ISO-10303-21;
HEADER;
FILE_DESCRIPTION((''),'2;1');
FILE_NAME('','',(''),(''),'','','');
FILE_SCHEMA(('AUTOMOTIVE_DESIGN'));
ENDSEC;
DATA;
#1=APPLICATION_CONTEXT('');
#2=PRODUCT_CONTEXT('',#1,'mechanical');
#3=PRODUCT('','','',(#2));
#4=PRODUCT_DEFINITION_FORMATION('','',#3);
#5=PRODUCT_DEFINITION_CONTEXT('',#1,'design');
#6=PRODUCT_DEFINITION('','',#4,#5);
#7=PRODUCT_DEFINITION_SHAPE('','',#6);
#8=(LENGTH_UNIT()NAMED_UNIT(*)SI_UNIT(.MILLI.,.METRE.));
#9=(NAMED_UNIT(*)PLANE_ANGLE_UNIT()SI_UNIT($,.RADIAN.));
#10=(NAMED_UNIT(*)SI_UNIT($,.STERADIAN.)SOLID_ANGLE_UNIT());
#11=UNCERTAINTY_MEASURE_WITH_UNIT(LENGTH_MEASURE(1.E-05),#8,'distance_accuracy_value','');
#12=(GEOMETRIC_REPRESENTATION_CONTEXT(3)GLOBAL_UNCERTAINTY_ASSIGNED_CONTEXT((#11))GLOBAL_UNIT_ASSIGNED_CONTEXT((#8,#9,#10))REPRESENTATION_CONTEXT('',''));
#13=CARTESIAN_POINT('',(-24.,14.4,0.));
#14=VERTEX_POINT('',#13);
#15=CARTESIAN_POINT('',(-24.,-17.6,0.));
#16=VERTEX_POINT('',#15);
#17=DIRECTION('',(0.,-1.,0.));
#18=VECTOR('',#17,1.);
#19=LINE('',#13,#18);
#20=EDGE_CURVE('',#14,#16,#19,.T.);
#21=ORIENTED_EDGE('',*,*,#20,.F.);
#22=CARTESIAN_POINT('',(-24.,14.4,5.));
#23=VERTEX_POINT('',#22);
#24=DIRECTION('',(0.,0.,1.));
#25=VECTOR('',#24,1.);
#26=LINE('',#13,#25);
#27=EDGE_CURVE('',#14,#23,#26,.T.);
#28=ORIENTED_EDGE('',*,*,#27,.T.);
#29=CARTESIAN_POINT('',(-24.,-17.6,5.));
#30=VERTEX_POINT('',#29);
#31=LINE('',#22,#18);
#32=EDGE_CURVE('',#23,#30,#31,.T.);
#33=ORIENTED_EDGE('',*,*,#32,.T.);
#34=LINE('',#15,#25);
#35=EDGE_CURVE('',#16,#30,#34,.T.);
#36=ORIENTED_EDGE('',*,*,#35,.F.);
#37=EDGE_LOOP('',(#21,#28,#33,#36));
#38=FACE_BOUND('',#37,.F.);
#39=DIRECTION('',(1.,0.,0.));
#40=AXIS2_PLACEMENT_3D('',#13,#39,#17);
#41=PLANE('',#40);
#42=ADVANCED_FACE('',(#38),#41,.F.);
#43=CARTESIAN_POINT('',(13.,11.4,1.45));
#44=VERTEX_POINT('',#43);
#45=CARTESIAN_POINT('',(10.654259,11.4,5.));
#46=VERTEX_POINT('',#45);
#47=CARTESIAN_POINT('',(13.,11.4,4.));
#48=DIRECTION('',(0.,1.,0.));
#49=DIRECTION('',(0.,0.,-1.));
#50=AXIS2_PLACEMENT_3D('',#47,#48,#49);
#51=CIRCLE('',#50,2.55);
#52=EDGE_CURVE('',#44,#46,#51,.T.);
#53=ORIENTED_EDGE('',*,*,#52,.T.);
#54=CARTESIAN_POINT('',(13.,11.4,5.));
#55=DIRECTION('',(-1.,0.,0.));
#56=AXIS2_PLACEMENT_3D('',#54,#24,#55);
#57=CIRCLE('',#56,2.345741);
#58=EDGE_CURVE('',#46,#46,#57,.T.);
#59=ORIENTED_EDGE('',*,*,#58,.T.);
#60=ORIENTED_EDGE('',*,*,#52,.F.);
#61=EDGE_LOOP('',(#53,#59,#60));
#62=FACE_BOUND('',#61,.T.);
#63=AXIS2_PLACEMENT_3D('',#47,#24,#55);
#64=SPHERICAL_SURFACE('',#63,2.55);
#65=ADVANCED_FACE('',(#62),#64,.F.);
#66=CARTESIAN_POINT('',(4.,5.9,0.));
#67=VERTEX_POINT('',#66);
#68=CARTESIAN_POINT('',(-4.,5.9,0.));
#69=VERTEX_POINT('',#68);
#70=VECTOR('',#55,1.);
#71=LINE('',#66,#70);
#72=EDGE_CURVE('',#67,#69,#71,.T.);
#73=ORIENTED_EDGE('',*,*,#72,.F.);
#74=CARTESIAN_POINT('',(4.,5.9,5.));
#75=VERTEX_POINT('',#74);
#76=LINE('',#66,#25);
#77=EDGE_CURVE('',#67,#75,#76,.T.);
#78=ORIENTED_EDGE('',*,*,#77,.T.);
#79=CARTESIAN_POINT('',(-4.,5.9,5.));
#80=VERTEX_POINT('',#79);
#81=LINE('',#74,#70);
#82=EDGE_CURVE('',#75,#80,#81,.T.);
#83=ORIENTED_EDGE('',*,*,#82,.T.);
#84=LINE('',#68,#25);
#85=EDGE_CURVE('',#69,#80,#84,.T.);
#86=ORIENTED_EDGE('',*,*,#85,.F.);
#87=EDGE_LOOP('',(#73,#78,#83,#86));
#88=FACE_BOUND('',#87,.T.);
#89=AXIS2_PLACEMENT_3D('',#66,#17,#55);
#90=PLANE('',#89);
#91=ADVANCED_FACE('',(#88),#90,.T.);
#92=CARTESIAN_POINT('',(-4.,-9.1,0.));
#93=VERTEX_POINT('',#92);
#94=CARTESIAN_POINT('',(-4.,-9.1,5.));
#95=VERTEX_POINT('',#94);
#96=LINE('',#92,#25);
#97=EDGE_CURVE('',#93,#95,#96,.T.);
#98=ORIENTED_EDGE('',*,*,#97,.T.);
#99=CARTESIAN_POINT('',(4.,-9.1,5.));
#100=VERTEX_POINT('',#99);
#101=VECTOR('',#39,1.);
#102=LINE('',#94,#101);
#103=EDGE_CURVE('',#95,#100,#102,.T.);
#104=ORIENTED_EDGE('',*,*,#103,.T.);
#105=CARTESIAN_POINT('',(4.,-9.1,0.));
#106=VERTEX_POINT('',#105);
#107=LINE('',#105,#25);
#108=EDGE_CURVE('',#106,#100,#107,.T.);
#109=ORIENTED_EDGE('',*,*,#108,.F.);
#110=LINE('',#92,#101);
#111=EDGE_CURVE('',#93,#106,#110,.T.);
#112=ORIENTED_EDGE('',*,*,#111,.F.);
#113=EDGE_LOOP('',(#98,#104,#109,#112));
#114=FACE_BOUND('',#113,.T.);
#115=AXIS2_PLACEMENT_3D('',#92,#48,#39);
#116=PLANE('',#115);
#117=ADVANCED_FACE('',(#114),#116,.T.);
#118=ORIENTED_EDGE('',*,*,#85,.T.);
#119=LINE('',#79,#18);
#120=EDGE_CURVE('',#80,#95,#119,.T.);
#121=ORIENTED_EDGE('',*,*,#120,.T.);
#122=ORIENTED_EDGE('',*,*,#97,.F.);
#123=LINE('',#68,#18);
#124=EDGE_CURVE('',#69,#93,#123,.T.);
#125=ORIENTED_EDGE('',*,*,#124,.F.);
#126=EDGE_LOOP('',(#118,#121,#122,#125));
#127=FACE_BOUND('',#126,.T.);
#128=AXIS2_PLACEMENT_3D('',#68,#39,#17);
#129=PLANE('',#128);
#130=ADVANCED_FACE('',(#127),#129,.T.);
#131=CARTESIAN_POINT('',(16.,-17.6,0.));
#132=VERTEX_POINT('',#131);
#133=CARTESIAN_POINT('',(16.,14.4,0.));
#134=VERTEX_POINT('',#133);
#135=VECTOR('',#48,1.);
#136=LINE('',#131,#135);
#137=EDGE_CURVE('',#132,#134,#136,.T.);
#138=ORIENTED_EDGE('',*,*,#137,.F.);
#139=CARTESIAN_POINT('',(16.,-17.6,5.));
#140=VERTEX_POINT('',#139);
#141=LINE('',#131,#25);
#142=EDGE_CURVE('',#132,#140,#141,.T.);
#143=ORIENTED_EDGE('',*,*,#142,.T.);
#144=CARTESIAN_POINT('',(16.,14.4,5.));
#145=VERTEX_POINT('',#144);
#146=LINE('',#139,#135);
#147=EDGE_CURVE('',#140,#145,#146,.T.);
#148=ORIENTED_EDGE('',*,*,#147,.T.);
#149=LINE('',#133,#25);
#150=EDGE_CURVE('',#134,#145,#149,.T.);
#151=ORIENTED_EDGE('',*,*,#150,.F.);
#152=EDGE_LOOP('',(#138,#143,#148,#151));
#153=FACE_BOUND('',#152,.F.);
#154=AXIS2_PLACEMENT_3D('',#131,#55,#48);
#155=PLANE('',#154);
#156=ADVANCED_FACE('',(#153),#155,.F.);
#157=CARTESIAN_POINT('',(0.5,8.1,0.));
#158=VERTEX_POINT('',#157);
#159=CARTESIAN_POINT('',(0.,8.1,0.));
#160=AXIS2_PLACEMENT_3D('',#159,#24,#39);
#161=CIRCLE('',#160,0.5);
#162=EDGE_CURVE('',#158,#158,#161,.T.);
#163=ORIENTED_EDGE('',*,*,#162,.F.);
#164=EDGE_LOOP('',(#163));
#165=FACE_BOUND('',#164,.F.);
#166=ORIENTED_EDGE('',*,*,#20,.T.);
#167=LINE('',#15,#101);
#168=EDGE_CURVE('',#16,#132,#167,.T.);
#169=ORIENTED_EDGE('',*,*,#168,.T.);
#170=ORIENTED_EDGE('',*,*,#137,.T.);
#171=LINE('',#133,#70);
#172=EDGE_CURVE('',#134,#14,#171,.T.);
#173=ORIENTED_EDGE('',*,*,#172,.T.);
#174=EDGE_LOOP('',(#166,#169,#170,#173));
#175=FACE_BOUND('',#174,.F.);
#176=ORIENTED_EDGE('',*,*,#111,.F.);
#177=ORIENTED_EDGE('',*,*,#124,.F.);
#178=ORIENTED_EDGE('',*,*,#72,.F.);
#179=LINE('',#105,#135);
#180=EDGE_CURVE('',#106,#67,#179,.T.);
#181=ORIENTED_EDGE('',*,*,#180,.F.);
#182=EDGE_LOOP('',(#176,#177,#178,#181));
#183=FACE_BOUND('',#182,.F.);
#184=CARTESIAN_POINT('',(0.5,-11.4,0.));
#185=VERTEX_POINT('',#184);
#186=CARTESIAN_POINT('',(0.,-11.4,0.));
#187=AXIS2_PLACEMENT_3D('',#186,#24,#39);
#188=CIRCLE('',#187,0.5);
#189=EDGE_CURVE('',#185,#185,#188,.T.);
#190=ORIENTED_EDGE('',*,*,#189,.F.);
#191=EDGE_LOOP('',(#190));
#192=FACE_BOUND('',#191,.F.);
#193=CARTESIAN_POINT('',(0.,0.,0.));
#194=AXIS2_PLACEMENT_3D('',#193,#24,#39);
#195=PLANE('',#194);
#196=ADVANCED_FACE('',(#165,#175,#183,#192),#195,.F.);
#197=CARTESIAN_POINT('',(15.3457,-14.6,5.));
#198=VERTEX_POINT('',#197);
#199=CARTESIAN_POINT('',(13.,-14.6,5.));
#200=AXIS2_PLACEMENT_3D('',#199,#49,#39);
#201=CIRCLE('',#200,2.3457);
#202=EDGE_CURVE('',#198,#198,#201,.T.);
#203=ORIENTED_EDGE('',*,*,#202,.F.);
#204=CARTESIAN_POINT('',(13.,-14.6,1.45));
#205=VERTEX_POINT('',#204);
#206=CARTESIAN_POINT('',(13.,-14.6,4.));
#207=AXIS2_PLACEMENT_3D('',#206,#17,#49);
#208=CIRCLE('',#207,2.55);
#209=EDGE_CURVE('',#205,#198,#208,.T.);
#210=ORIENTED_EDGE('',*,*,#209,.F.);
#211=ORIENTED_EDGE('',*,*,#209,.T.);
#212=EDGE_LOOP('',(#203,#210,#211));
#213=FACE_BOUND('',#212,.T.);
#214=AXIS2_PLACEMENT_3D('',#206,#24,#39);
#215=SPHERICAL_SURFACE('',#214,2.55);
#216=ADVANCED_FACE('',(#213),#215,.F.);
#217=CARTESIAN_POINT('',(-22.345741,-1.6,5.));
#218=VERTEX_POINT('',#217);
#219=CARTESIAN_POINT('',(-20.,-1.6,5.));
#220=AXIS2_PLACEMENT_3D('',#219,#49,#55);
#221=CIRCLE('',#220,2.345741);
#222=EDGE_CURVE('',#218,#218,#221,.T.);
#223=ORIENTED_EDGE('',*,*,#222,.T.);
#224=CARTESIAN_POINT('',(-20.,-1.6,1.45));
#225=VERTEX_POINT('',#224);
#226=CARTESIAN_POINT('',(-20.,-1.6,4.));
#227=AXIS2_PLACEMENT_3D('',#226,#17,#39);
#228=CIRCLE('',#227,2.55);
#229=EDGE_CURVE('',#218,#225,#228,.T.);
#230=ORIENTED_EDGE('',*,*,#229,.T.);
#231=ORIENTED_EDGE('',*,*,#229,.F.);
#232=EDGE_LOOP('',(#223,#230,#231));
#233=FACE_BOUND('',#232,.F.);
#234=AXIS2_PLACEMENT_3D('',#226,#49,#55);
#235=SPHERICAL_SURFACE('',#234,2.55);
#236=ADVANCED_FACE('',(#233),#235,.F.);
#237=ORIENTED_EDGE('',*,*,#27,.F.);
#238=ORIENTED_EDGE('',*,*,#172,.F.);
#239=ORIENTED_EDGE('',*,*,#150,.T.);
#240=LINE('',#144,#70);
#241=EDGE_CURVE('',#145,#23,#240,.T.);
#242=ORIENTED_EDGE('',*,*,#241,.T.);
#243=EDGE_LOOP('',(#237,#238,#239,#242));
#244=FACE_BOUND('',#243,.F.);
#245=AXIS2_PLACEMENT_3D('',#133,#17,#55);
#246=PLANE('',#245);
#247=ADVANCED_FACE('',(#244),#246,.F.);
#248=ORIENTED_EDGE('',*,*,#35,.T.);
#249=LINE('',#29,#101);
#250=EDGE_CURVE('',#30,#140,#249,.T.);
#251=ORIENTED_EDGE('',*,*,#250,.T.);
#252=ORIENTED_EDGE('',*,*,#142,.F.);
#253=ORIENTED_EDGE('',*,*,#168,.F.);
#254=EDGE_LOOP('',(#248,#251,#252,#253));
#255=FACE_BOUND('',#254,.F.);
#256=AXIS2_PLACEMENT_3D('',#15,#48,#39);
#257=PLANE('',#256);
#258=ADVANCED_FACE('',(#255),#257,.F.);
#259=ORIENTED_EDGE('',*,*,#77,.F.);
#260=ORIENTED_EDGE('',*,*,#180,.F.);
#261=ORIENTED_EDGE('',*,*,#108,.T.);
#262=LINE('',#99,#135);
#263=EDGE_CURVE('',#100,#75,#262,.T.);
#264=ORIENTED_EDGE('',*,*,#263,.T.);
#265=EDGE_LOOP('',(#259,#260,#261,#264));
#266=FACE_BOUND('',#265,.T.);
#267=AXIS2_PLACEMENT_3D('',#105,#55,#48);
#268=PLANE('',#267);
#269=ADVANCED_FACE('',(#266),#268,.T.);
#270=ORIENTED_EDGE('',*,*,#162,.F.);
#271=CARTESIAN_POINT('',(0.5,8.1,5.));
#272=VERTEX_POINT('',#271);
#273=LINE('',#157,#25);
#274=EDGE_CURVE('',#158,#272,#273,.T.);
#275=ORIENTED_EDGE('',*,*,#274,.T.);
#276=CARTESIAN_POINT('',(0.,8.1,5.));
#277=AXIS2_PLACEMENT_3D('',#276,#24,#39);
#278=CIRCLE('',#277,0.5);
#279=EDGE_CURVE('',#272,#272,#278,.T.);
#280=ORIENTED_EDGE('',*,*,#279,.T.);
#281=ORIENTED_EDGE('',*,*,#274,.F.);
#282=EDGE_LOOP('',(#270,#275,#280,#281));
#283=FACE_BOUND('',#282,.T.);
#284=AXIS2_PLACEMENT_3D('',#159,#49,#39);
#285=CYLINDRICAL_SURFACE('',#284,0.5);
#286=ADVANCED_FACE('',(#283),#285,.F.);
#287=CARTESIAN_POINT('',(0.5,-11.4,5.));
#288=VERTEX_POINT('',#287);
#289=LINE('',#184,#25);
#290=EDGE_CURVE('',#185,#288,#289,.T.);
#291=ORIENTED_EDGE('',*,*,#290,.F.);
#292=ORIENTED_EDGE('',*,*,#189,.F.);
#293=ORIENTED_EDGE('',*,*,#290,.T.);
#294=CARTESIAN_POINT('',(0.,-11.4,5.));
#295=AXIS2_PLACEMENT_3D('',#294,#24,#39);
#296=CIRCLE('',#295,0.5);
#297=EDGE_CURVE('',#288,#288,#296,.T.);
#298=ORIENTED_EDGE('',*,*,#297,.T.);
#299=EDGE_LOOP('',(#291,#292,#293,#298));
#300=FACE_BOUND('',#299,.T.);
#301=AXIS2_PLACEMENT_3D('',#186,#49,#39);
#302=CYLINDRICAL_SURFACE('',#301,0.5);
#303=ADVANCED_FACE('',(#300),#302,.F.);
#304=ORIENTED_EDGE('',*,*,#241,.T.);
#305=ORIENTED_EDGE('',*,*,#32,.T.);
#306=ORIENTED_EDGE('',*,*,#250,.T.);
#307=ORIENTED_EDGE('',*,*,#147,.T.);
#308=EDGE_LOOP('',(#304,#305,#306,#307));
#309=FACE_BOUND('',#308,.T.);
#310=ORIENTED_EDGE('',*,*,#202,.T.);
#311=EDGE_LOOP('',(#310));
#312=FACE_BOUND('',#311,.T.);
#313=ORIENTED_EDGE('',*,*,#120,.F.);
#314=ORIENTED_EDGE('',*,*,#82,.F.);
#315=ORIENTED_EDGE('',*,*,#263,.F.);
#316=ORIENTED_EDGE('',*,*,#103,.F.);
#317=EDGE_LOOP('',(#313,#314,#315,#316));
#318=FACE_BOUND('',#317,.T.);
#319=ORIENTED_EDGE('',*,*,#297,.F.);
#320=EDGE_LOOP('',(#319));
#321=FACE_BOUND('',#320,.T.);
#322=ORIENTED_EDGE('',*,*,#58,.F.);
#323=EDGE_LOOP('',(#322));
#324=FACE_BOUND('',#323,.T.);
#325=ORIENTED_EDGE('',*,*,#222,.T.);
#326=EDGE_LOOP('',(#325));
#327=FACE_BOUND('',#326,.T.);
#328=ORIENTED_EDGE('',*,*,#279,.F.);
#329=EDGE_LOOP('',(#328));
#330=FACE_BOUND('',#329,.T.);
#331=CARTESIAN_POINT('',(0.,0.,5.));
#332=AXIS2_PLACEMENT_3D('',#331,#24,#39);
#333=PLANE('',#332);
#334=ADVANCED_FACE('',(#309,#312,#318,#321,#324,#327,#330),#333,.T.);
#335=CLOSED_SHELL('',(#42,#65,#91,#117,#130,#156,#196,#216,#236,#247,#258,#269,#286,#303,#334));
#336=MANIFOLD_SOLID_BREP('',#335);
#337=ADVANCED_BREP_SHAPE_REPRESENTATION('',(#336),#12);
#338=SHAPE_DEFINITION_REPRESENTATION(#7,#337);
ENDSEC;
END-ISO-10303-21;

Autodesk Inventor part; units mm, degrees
ref_plane "YZ Plane" through (0, 0, 0) normal (1, 0, 0) x (0, 1, 0)
ref_plane "XZ Plane" through (0, 0, 0) normal (0, 1, 0) x (-1, 0, 0)
ref_plane "XY Plane" through (0, 0, 0) normal (0, 0, 1) x (1, 0, 0)
ref_plane "Work Plane1" through (0, 0, 0) normal (0, 0, 1) x (1, 0, 0)
sketch "Sketch1" plane through (0, 0, 0) normal (0, 0, 1) x (1, 0, 0)
  circle A0 centre (0, -11.4) radius 0.5 construction
  circle A1 centre (0, 8.1) radius 0.5 construction
  circle A2 centre (0, -1.6) radius 3.9462 construction
  line L0 (8.2, 14.1) -> (-8.2, 14.1) construction
  line L1 (-8.2, 14.1) -> (-8.2, -14.1) construction
  line L2 (-8.2, -14.1) -> (8.2, -14.1) construction
  line L3 (8.2, -14.1) -> (8.2, 14.1) construction
  line L4 (-4, -9.1) -> (4, -9.1)
  line L5 (4, -9.1) -> (4, 5.9)
  line L6 (4, 5.9) -> (-4, 5.9)
  line L7 (-4, 5.9) -> (-4, -9.1)
  line L8 (-4, -9.1) -> (4, 5.9) construction
  line L9 (4, -9.1) -> (-4, 5.9) construction
  circle A3 centre (13, 11.4) radius 1.45 construction
  circle A4 centre (13, -14.6) radius 1.45 construction
  circle A5 centre (-20, -1.6) radius 1.45 construction
  line L10 (16, -17.6) -> (16, 14.4) construction
  line L11 (16, 14.4) -> (-16, 14.4) construction
  line L12 (-16, -17.6) -> (16, -17.6) construction
  line L13 (16, 14.4) -> (-24, 14.4)
  line L14 (-24, 14.4) -> (-24, -17.6)
  line L15 (-24, -17.6) -> (16, -17.6)
  line L16 (16, -17.6) -> (16, 14.4)
  circle A6 centre (0, 8.1) radius 0.5
  circle A7 centre (0, -11.4) radius 0.5
  point P0 (0, 0)
extrude "Extrusion1" add sketch "Sketch1" along normal blind 5
ref_plane "Work Plane2" through (-24, -1.6, 0) normal (0, -1, 0) x (1, 0, 0)
sketch "Sketch2" plane through (-24, -1.6, 0) normal (0, -1, 0) x (1, 0, 0)
  line L0 (1, 9) -> (1, 5)
  line L1 (7, 9) -> (7, 5)
  circle A0 centre (4, 4) radius 2.55
  line L2 (4, 6.55) -> (4, 1.45)
  point P0 (24, 0)
  dimension "d6" = 5.1
  dimension "d7" = 3
  dimension "d8" = 1
revolve "Revolution1" cut sketch "Sketch2" angle 360 about axis through (-20, -1.6, 6.55) along (0, 0, -1) picked at (3.097, 3.5418) contours L2 A0
sketch "Sketch3" plane through (0, 0, 5) normal (0, 0, 1) x (1, 0, 0)
  circle A0 centre (13, -14.6) radius 1.45 projected
  circle A1 centre (13, 11.4) radius 1.45 projected
  circle A2 centre (-20, -1.6) radius 1.45 projected
  point P0 (0, 0)
ref_plane "Work Plane3" through (13, 11.4, 5) normal (0, 1, 0) x (1, 0, 0)
sketch "Sketch4" plane through (13, 11.4, 5) normal (0, 1, 0) x (1, 0, 0)
  circle A0 centre (0, 1) radius 2.55
  line L0 (-37, 0) -> (3, 0) projected
  line L1 (0, -4) -> (0, 0) projected
  line L2 (0, 0) -> (0, 3.55)
  line L3 (0, -1.55) -> (0, 0)
  point P0 (-13, 5)
  dimension "d10" = 5.1
  dimension "d11" = 1
  dimension "d12" = 0
revolve "Revolution2" cut sketch "Sketch4" angle 360 about axis through (13, 11.4, 5) along (0, 0, -1) picked at (-0.2076, 2.3409) picked at (-1.4654, -0.1719) contours L2 L0 A0 | L0 L1 A0
ref_plane "Work Plane4" through (13, -14.6, 5) normal (0, -1, 0) x (1, 0, 0)
sketch "Sketch5" plane through (13, -14.6, 5) normal (0, -1, 0) x (1, 0, 0)
  line L0 (0, 4) -> (0, 0) projected
  arc A0 (0, -3.55) -> (0, 1.55) centre (0, -1) ccw
  line L1 (0, 1.55) -> (0, -3.55)
  arc A1 (-2.3457, 0) -> (2.3457, 0) centre (0, -1) ccw projected
  point P0 (-13, -5)
  dimension "d14" = 5.1
  dimension "d15" = 1
revolve "Revolution3" cut sketch "Sketch5" angle 360 about axis through (13, -14.6, 9) along (0, 0, -1)
properties part number "05_Adapterplate_LG_CRD_8521B"
